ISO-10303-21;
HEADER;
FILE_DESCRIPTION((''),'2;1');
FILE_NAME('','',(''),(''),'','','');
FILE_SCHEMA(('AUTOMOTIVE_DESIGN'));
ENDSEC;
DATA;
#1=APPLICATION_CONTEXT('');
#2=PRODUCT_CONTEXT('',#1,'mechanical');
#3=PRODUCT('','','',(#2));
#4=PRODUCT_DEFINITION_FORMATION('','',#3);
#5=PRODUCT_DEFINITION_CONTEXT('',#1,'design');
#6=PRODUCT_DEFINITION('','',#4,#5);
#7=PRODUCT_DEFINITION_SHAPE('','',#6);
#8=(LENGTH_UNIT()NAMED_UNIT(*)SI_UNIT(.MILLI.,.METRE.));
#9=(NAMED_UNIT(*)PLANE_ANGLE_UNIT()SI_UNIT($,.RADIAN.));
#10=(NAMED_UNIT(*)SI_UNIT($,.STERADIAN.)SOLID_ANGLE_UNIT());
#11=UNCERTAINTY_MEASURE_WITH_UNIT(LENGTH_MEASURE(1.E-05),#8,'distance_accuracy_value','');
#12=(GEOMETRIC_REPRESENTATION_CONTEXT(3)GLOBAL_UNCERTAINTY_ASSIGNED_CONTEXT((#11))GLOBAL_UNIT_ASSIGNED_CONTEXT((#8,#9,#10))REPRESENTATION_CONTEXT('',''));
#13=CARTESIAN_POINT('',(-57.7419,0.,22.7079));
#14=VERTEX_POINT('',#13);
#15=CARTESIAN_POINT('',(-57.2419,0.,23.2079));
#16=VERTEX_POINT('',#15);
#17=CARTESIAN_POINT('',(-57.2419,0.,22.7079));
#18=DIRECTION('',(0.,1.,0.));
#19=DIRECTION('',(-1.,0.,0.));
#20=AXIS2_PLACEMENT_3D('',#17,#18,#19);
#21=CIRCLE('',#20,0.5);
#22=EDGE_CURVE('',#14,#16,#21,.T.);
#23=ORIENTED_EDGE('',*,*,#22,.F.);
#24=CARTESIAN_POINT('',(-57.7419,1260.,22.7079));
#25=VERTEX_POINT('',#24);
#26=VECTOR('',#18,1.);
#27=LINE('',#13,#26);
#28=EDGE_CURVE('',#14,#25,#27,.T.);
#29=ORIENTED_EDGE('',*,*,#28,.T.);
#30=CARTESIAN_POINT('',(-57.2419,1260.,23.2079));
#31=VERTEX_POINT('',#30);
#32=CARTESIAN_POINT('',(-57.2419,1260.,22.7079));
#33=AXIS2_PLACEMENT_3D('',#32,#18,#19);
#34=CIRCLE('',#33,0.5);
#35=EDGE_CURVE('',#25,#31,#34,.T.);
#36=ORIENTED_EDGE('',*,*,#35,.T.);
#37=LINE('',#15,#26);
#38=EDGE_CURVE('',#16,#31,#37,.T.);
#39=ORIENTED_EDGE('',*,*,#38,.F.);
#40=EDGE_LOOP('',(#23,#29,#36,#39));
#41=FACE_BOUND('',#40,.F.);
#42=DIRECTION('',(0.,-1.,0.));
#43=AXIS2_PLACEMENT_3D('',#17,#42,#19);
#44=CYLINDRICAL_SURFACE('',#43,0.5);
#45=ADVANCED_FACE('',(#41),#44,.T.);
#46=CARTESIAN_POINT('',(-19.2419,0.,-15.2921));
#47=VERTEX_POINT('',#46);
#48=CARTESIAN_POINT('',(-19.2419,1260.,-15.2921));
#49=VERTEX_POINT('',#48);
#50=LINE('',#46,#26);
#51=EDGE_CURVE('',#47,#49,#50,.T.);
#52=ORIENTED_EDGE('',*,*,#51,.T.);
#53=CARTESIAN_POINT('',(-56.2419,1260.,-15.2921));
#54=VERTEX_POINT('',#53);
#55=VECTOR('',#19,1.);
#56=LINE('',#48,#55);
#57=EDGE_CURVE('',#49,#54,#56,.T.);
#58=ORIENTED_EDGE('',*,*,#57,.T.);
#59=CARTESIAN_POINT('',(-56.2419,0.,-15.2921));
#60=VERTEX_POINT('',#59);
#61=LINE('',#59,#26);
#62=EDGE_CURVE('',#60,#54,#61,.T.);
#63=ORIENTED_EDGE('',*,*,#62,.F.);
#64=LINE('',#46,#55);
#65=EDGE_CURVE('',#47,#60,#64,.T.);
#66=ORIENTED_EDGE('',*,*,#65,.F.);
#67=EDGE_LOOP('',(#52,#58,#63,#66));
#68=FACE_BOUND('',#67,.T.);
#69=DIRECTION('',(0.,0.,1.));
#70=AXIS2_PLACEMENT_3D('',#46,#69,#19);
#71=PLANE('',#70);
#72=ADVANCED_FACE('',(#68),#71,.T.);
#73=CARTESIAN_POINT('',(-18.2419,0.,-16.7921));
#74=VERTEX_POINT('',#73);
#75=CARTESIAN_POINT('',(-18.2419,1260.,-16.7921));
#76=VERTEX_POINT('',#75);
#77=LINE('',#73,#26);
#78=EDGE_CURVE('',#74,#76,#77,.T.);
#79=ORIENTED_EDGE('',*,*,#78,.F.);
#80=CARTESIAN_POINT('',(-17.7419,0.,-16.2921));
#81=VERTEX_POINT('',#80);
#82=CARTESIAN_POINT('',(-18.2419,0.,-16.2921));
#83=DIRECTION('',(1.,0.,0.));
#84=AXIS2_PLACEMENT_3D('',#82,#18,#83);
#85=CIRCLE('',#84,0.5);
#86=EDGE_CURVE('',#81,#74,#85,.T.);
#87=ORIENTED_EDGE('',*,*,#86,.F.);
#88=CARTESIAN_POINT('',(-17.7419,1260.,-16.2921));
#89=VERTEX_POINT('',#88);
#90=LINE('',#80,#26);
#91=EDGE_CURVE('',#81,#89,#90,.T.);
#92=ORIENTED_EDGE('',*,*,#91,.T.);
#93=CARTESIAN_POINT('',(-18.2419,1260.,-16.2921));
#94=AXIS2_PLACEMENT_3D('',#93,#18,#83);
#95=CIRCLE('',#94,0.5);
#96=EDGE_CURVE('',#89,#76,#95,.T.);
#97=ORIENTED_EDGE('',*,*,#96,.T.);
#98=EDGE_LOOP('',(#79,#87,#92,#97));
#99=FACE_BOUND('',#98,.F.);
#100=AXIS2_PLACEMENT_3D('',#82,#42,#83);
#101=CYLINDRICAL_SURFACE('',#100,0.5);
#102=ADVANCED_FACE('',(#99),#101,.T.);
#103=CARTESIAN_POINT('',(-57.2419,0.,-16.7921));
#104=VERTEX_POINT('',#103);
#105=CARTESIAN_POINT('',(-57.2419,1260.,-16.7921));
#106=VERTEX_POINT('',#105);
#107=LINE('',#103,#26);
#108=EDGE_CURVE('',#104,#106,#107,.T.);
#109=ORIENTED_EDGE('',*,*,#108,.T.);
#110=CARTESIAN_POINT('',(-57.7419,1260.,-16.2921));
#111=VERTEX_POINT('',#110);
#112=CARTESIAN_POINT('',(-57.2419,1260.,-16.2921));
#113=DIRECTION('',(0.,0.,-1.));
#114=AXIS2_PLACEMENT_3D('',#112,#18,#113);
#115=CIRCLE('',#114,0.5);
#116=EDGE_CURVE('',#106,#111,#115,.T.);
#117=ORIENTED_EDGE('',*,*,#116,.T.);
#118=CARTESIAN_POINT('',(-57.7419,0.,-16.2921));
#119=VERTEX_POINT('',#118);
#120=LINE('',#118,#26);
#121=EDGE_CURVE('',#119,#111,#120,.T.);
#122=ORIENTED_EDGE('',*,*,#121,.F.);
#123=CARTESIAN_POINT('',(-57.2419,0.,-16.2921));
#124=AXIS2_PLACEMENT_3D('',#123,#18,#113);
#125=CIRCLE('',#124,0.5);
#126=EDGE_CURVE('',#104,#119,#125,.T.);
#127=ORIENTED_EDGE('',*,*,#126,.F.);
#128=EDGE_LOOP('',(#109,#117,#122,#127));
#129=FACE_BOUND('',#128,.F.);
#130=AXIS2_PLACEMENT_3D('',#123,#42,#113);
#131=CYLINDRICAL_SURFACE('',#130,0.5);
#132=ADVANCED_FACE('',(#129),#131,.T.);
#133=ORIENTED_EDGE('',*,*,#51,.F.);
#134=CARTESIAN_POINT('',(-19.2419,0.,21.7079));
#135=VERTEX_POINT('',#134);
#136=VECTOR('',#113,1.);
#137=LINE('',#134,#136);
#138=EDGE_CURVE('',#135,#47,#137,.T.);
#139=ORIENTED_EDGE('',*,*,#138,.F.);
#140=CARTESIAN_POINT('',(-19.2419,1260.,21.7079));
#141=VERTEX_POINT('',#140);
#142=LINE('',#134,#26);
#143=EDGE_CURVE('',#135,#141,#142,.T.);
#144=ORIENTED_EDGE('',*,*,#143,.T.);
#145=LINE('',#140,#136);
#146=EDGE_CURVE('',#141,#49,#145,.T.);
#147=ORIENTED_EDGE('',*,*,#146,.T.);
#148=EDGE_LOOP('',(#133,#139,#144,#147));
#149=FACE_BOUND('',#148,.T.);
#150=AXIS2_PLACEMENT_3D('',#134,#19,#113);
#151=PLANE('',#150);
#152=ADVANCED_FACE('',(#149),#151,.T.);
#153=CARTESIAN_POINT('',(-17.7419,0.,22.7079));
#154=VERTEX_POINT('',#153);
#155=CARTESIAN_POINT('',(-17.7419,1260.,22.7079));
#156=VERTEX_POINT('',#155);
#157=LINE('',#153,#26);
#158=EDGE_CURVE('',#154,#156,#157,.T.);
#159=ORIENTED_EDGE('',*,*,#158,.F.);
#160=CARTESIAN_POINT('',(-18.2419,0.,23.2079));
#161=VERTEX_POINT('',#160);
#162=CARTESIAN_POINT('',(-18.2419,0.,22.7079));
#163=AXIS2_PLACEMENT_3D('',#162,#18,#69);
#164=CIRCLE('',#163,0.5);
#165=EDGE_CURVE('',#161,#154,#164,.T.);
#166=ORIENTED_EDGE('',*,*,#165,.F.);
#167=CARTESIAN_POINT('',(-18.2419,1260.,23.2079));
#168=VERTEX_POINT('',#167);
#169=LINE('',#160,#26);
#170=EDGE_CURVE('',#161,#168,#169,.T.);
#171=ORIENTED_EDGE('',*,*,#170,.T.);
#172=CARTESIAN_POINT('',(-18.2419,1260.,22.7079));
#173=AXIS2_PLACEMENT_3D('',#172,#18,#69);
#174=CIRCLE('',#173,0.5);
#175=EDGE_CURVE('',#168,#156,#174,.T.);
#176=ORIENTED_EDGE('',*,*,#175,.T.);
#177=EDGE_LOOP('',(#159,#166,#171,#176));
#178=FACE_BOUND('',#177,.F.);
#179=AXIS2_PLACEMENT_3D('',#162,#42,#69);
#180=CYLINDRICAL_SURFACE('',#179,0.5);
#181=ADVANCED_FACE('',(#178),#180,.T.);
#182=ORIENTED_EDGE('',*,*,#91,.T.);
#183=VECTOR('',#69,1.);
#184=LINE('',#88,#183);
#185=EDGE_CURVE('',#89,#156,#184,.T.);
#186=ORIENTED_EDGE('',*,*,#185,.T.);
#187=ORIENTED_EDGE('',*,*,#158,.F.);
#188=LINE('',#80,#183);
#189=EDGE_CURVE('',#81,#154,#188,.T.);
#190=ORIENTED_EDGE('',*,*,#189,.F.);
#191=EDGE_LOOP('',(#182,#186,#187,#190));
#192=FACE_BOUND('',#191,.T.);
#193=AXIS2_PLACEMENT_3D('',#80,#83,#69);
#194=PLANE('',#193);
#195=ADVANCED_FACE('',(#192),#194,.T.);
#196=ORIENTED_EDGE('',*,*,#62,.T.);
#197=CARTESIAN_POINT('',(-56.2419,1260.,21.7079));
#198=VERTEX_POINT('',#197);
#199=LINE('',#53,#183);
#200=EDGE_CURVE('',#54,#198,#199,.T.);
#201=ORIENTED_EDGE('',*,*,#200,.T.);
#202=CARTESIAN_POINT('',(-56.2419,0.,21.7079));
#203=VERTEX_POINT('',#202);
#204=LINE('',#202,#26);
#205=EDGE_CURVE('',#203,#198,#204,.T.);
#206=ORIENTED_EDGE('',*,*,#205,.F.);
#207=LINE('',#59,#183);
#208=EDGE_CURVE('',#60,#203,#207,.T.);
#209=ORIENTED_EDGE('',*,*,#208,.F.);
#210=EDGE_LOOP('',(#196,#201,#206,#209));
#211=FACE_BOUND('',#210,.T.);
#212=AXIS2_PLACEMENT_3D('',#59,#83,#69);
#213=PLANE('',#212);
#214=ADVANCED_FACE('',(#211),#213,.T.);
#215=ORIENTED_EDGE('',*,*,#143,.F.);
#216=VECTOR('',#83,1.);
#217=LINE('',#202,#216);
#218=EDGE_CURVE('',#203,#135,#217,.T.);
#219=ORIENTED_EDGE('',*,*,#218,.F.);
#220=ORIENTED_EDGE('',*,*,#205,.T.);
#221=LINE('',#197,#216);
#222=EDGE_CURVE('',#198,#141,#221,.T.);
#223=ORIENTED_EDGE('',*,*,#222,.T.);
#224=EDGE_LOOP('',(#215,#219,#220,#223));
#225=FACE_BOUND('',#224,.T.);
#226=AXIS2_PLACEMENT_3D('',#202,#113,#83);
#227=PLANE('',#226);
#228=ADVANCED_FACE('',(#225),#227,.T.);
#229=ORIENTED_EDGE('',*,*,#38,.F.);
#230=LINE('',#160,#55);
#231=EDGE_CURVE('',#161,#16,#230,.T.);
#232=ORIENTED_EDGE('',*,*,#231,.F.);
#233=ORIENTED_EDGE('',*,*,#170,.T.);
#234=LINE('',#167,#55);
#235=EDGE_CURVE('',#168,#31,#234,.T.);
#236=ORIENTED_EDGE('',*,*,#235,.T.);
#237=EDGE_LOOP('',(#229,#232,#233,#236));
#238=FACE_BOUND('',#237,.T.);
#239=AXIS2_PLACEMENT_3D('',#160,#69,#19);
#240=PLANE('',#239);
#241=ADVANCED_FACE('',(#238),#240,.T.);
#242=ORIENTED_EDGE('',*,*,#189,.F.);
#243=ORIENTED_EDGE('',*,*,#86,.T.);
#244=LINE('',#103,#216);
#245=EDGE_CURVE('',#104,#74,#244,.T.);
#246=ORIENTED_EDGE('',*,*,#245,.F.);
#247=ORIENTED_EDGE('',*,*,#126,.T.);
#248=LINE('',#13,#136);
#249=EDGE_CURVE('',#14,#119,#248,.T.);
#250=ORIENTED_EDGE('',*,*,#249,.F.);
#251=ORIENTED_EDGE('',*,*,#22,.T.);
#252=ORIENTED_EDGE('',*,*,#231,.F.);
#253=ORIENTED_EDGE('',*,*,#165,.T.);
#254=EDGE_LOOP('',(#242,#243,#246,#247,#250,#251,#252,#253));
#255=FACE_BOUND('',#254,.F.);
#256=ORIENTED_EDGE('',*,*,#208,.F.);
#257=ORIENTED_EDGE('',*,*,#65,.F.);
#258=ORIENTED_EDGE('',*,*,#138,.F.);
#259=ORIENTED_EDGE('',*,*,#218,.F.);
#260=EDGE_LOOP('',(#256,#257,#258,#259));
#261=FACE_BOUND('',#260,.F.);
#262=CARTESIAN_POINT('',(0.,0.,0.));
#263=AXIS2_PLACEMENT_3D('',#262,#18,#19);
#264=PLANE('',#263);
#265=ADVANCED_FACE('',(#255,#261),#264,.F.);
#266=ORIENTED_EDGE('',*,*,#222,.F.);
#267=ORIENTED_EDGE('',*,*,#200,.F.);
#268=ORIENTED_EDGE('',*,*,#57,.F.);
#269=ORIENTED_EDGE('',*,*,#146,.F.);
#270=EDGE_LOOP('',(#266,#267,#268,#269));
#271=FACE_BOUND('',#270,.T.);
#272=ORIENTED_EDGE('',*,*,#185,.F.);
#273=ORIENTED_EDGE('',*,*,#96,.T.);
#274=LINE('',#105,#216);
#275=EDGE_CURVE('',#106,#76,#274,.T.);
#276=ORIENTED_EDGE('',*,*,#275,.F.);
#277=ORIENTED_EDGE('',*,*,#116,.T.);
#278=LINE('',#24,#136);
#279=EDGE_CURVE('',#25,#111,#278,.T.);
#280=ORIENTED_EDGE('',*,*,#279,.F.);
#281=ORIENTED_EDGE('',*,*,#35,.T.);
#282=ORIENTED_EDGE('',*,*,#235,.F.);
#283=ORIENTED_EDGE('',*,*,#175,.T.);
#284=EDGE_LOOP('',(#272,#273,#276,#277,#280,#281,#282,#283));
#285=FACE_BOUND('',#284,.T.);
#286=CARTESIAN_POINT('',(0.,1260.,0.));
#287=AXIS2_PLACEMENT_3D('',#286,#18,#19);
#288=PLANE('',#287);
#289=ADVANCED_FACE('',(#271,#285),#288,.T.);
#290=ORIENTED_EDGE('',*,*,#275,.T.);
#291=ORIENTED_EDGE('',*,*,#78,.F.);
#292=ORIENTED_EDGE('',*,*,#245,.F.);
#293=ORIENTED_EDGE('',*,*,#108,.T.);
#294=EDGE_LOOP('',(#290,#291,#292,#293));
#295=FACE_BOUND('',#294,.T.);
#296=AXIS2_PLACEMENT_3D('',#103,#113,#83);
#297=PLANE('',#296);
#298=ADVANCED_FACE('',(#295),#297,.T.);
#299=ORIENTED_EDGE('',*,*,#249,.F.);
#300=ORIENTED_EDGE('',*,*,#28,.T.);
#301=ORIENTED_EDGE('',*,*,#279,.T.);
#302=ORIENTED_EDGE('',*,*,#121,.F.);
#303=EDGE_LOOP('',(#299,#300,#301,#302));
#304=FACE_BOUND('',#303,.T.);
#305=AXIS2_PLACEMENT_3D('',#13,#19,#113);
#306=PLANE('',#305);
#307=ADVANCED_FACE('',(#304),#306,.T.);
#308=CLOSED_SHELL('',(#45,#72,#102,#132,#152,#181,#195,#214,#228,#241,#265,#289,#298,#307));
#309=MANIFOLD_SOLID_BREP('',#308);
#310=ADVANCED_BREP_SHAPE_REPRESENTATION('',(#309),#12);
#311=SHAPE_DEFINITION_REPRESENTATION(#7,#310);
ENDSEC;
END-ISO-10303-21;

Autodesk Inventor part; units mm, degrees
ref_plane "YZ Plane" through (0, 0, 0) normal (1, 0, 0) x (0, 1, 0)
ref_plane "XZ Plane" through (0, 0, 0) normal (0, 1, 0) x (-1, 0, 0)
ref_plane "XY Plane" through (0, 0, 0) normal (0, 0, 1) x (1, 0, 0)
sketch "Sketch1" plane through (0, 0, 0) normal (0, 1, 0) x (-1, 0, 0)
  line L0 (18.2419, 23.2079) -> (57.2419, 23.2079)
  line L1 (57.7419, 22.7079) -> (57.7419, -16.2921)
  line L2 (57.2419, -16.7921) -> (18.2419, -16.7921)
  line L3 (17.7419, -16.2921) -> (17.7419, 22.7079)
  line L4 (56.2419, 21.7079) -> (19.2419, 21.7079)
  line L5 (19.2419, 21.7079) -> (19.2419, -15.2921)
  line L6 (19.2419, -15.2921) -> (56.2419, -15.2921)
  line L7 (56.2419, -15.2921) -> (56.2419, 21.7079)
  arc A0 (18.2419, 23.2079) -> (17.7419, 22.7079) centre (18.2419, 22.7079) ccw
  arc A1 (57.7419, 22.7079) -> (57.2419, 23.2079) centre (57.2419, 22.7079) ccw
  arc A2 (57.2419, -16.7921) -> (57.7419, -16.2921) centre (57.2419, -16.2921) ccw
  arc A3 (17.7419, -16.2921) -> (18.2419, -16.7921) centre (18.2419, -16.2921) ccw
  point P0 (0, 0)
  point P1 (17.7419, 23.2079)
  point P2 (57.7419, 23.2079)
  point P3 (57.7419, -16.7921)
  dimension "d0" = 40
  dimension "d1" = 40
  dimension "d2" = 1.5
  dimension "d3" = 0.5
extrude "Extrusion1" add sketch "Sketch1" along normal blind 1260
properties part number "metalon3"
